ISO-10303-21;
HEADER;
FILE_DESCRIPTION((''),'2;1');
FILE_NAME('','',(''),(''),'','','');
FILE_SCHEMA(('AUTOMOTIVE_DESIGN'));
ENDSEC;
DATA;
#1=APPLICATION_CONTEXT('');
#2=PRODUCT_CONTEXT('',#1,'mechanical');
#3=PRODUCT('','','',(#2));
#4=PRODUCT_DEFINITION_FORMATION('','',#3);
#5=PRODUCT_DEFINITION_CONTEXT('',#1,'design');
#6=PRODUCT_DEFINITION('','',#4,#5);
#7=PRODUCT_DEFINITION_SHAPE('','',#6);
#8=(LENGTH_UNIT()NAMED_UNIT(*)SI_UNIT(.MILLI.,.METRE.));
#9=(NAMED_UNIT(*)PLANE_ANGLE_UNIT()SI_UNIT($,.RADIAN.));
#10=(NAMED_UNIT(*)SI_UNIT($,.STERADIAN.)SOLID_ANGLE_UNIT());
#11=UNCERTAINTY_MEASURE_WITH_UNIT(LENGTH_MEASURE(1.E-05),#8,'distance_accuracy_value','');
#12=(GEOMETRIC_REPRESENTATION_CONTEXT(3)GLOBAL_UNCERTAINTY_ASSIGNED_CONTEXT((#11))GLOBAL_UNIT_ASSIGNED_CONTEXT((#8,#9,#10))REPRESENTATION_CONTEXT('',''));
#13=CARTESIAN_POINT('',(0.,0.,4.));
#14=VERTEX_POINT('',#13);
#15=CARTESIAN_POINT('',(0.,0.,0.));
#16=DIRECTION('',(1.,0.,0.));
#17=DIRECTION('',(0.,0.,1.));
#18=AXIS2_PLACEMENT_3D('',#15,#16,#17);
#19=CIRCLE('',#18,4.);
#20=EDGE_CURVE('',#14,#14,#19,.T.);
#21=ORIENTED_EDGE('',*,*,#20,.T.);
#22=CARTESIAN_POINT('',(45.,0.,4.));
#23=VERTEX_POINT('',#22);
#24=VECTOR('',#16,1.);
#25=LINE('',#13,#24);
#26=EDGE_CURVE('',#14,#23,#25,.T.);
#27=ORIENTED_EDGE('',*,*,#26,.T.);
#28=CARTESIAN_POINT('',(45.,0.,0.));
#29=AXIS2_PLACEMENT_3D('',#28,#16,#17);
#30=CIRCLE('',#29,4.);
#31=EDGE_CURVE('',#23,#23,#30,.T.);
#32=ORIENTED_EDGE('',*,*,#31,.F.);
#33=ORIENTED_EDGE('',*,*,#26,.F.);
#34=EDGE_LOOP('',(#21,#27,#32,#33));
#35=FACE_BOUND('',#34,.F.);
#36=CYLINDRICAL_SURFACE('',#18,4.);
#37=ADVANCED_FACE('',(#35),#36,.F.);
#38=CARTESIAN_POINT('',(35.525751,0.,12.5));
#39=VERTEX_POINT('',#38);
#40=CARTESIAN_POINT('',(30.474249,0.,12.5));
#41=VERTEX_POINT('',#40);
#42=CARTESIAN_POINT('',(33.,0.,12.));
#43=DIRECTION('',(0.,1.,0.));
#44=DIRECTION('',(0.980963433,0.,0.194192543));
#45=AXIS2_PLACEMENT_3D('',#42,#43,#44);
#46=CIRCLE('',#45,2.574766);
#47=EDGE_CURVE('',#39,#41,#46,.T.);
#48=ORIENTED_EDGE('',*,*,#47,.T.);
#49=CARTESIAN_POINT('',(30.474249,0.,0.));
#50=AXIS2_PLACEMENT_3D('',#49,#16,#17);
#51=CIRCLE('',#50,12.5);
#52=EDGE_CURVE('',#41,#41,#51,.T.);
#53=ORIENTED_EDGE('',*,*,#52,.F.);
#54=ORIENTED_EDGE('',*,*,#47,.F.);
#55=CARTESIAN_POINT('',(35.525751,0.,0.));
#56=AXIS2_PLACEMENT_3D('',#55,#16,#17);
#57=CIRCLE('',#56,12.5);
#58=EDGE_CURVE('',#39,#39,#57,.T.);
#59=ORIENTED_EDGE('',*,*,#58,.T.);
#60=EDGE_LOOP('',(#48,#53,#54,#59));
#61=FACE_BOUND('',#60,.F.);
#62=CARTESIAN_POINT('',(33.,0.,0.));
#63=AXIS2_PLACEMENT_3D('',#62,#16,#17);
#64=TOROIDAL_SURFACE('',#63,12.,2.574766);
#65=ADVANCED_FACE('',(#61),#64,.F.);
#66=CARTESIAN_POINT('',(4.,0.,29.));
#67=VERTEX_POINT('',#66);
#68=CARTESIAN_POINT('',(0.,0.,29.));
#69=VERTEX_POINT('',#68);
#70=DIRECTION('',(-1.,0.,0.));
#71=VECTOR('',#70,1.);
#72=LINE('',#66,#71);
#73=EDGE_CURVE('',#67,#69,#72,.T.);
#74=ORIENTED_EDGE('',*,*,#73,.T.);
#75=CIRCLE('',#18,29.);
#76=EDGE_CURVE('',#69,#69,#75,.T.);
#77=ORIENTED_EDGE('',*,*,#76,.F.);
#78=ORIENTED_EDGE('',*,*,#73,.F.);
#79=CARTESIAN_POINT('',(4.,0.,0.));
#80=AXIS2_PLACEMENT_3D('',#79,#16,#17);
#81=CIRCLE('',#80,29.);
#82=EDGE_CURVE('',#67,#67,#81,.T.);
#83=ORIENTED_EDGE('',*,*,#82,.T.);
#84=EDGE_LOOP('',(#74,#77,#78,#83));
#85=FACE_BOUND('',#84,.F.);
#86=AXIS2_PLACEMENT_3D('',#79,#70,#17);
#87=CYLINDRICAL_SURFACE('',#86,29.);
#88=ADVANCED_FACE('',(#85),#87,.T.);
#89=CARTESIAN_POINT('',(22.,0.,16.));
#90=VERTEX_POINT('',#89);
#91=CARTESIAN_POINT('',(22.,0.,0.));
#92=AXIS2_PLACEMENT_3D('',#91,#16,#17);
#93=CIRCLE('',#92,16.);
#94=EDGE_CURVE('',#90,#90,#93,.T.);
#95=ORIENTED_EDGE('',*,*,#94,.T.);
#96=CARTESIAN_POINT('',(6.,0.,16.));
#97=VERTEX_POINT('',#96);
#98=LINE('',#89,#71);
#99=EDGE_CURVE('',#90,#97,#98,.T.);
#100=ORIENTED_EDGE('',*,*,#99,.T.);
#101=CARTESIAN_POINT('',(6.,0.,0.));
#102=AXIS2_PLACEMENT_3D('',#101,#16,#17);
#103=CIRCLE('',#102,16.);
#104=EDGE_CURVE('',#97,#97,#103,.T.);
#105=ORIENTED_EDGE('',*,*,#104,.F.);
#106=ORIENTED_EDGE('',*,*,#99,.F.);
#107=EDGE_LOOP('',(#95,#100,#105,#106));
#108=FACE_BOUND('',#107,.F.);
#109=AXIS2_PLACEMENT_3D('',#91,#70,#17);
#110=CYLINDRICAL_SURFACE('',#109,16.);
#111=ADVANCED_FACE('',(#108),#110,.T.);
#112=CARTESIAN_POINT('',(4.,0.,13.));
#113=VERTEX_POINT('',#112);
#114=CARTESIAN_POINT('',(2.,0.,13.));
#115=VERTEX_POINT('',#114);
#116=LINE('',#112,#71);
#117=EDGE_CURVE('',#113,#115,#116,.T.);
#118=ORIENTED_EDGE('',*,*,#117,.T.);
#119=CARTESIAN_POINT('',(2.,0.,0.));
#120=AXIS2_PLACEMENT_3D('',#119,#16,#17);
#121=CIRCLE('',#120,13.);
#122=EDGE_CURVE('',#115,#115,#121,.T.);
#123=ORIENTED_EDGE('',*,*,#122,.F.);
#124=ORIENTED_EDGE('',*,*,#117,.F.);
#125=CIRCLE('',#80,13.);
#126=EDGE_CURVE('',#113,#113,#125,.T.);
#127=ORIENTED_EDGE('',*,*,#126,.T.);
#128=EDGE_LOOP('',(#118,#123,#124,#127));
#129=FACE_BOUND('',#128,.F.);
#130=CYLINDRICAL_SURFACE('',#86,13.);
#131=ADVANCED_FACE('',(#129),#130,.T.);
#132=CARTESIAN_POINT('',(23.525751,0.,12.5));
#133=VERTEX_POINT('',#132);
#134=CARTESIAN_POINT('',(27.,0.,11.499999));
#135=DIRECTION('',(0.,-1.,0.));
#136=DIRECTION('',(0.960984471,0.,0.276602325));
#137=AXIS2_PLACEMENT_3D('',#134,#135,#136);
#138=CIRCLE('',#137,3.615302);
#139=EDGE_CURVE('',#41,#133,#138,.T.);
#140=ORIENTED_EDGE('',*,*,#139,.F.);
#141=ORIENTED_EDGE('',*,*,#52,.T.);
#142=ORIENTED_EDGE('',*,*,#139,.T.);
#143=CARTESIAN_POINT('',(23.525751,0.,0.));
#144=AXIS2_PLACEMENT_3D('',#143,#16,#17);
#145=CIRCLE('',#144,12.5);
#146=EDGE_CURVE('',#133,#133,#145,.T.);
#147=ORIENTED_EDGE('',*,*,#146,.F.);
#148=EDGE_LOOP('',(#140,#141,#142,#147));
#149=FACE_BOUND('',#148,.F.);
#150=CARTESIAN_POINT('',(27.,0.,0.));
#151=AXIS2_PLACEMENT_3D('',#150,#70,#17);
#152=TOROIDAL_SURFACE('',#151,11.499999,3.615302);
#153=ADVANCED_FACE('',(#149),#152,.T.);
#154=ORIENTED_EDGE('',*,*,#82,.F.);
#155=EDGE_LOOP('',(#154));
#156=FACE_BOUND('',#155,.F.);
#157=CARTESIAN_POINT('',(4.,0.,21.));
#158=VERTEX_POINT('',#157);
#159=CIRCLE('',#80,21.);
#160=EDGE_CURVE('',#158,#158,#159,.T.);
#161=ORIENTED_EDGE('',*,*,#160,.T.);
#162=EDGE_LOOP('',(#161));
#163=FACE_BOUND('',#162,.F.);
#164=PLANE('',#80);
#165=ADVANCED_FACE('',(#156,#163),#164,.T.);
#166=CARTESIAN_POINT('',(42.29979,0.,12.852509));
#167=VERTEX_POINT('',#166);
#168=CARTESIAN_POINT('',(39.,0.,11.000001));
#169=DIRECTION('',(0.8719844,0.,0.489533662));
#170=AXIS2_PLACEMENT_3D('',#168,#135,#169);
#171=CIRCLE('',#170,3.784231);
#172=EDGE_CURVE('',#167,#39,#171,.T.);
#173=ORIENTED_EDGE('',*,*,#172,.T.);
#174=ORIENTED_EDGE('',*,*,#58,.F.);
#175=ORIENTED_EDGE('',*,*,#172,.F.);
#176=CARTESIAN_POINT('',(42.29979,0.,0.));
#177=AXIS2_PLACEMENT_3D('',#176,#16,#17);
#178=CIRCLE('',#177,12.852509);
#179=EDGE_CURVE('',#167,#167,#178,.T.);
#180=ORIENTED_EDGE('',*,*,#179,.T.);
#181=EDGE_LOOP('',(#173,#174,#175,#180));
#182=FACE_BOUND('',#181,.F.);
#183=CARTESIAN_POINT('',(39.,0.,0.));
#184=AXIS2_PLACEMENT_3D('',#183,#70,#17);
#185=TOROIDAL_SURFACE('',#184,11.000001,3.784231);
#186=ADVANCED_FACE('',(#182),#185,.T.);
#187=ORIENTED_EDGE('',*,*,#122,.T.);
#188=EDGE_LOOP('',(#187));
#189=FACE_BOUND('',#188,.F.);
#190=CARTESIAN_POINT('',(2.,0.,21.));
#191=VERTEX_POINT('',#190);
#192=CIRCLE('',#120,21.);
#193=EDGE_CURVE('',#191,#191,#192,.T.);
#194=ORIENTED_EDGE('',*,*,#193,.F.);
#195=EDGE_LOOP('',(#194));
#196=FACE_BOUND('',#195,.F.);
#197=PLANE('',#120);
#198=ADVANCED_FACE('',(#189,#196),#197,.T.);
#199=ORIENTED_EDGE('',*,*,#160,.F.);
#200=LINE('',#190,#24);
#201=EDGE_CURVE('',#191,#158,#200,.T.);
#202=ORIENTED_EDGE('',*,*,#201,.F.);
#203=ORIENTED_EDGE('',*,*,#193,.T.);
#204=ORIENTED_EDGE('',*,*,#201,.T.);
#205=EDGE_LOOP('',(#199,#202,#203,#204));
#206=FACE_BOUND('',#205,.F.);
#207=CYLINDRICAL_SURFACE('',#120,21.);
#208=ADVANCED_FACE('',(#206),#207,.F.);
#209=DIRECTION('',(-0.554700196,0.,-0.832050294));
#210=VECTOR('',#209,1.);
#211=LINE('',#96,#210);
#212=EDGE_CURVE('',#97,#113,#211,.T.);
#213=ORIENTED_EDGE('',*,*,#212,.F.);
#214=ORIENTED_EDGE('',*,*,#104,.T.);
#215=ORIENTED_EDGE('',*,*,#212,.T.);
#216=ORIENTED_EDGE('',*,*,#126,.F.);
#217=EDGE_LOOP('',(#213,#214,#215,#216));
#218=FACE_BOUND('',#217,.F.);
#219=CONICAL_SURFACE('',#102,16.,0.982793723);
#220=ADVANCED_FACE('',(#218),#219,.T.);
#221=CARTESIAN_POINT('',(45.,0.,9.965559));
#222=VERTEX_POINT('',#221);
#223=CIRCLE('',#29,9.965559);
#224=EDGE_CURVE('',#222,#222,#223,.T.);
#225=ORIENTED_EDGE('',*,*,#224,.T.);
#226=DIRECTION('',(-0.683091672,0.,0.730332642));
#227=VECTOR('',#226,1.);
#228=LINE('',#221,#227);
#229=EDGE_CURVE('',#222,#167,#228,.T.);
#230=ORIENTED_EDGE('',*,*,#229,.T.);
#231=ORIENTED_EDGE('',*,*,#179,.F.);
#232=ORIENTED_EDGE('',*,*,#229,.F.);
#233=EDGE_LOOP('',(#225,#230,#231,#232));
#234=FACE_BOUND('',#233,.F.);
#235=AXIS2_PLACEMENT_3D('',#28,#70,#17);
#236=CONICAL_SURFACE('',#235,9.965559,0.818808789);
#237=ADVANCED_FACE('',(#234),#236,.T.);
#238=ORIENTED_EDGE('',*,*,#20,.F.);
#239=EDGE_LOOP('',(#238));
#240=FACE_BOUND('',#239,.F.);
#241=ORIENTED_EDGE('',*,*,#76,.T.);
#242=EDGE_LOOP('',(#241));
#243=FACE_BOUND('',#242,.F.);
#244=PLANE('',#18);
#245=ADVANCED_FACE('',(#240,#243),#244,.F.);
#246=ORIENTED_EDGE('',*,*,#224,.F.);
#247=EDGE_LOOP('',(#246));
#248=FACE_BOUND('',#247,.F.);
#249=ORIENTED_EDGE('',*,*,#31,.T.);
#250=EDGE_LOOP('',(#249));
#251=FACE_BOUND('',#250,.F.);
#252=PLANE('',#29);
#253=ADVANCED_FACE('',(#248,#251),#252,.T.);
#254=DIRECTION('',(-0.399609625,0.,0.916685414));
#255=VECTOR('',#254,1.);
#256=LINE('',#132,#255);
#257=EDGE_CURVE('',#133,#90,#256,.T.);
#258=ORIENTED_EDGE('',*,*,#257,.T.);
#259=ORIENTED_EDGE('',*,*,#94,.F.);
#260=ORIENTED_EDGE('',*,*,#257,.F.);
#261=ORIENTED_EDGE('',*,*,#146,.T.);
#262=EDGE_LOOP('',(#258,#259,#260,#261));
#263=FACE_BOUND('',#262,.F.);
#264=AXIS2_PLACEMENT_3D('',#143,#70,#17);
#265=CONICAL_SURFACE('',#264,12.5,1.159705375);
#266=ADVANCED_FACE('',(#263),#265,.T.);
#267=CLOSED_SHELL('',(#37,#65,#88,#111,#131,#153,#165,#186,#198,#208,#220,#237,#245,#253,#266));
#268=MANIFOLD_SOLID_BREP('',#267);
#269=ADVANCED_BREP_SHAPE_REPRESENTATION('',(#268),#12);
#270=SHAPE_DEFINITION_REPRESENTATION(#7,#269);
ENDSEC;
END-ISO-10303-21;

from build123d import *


with BuildPart() as f2:
    # F0 (on Front) → F2 (revolve)
    with BuildSketch(Plane.XZ):
        with BuildLine():
            Line((0, 29), (0, 4))
            Line((0, 4), (45, 4))
            Line((45, 4), (45, 9.965559))
            Line((45, 9.965559), (42.29979, 12.852509))
            ThreePointArc((42.29979, 12.852509), (38.803341, 14.779118), (35.525751, 12.5))
            ThreePointArc((35.525751, 12.5), (33, 9.425234), (30.474249, 12.5))
            ThreePointArc((30.474249, 12.5), (27, 15.115301), (23.525751, 12.5))
            Line((23.525751, 12.5), (22, 16))
            Line((22, 16), (6, 16))
            Line((6, 16), (4, 13))
            Line((4, 13), (2, 13))
            Line((2, 13), (2, 21))
            Line((2, 21), (4, 21))
            Line((4, 21), (4, 29))
            Line((4, 29), (0, 29))
        make_face()
    revolve(axis=Axis((47.634851, 0, 0), (1, 0, 0)))


solid = f2.part
